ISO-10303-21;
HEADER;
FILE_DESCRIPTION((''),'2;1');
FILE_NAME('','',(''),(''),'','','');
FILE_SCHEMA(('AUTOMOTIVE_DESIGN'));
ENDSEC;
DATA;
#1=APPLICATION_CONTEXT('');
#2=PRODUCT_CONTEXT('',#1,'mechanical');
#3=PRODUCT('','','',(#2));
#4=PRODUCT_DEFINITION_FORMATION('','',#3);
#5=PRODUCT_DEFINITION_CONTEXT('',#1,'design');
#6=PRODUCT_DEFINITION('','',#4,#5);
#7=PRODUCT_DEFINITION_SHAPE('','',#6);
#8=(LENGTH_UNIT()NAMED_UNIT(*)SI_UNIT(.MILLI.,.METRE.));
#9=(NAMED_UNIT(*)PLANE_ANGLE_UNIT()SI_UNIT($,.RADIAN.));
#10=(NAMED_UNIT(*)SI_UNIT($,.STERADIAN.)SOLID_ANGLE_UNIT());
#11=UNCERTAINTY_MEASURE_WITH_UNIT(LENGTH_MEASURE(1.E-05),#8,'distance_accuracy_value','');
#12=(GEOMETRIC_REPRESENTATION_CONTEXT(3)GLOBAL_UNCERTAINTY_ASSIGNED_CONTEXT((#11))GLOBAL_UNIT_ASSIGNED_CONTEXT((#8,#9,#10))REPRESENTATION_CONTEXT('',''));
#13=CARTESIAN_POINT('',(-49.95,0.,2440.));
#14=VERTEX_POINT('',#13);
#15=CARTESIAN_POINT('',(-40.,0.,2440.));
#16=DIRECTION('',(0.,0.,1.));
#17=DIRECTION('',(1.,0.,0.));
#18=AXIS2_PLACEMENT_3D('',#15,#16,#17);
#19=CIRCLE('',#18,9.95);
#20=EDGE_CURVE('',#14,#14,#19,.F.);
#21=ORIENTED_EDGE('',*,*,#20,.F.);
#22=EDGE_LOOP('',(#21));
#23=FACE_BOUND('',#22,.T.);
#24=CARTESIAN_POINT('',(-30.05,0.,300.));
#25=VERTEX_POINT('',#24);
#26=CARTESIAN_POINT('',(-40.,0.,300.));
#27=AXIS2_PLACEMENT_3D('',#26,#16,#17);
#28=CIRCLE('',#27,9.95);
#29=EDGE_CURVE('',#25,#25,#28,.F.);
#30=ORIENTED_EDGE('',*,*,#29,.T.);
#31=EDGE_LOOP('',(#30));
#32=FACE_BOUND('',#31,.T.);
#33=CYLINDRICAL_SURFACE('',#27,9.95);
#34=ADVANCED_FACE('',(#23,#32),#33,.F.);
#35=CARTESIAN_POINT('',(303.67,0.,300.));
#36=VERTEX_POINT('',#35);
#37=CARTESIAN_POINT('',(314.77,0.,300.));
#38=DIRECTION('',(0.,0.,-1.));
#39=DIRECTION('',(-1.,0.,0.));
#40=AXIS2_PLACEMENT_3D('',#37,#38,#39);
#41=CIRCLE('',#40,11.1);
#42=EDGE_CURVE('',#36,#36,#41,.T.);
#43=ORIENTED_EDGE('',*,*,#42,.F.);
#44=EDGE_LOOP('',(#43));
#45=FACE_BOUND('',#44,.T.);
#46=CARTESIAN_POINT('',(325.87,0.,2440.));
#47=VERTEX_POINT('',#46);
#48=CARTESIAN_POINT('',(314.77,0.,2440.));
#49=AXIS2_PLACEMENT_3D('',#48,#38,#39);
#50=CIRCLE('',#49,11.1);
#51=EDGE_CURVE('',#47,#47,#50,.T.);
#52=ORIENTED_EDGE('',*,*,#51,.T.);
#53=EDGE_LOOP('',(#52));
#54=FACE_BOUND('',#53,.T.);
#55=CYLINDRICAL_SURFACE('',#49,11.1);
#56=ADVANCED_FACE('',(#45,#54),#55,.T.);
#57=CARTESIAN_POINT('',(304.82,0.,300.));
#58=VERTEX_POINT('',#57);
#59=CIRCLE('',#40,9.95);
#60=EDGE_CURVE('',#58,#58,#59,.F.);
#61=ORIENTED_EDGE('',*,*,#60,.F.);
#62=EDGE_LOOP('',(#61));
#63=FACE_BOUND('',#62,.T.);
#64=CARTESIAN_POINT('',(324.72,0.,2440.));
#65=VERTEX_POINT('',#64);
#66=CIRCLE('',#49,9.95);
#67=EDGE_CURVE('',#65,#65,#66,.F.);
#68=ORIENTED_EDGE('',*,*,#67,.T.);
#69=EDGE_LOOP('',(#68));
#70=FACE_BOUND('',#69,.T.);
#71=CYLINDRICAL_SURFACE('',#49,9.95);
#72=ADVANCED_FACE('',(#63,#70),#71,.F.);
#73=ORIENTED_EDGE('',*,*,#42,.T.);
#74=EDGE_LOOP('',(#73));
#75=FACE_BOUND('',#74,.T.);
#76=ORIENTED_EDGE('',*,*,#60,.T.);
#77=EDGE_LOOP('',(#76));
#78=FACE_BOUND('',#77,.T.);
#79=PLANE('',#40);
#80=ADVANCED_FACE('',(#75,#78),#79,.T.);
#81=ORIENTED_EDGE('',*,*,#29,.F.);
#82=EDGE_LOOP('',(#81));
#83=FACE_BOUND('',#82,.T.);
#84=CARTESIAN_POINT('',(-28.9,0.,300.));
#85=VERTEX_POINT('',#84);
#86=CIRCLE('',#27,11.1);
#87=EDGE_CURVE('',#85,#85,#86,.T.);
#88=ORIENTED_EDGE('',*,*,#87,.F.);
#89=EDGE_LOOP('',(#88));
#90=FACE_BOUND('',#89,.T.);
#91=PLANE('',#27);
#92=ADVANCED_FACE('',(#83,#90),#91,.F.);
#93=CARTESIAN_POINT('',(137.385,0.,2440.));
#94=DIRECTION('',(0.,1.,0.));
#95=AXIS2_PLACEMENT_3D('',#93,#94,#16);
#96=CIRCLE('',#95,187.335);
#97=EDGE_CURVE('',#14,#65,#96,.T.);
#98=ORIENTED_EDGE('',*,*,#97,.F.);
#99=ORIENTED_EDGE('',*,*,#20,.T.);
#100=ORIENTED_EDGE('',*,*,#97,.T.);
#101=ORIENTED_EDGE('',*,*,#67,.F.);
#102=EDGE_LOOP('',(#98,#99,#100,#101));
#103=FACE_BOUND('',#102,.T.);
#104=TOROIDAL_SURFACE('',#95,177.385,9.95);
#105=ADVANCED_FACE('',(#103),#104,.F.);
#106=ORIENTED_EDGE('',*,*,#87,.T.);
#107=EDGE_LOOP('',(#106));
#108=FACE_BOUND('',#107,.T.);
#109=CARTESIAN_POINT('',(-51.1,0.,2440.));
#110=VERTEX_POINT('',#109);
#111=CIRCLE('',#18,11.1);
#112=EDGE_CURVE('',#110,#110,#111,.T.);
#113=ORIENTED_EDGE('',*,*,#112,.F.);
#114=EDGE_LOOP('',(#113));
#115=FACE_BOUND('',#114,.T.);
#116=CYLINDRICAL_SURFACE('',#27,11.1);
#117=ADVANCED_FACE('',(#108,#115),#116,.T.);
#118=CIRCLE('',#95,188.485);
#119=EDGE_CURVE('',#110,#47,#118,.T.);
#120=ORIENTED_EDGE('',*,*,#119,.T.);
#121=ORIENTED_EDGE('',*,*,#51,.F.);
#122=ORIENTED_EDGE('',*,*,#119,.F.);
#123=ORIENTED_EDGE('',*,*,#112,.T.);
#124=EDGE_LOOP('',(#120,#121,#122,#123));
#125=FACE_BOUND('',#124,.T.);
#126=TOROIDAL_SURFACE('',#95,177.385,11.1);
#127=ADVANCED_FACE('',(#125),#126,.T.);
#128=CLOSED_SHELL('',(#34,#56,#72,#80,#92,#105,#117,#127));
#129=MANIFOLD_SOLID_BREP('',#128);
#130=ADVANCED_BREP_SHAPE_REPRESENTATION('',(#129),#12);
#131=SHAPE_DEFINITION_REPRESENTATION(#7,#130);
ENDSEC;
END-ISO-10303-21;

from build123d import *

# Parameters (mm, degrees)
SKETCH2_R   = 11.1
SKETCH2_R_2 = 9.95


with BuildPart() as part:
    # Sweep1: sweep along a path in Sketch1
    with BuildLine(Plane(origin=(0, 0, 0), x_dir=(1, 0, 0), z_dir=(0, 1, 0))) as sweep1_path:
        Line((314.77, -300), (314.77, -2440))
        ThreePointArc((314.77, -2440), (137.385, -2617.385), (-40, -2440))
        Line((-40, -2440), (-40, -300))
    # Sketch2 → Sweep1 (sweep)
    with BuildSketch(Plane(origin=(314.77, 0, 300), x_dir=(-1, 0, 0), z_dir=(0, 0, -1))):
        Circle(SKETCH2_R)
        Circle(SKETCH2_R_2, mode=Mode.SUBTRACT)
    sweep(path=sweep1_path.line)


solid = part.part
